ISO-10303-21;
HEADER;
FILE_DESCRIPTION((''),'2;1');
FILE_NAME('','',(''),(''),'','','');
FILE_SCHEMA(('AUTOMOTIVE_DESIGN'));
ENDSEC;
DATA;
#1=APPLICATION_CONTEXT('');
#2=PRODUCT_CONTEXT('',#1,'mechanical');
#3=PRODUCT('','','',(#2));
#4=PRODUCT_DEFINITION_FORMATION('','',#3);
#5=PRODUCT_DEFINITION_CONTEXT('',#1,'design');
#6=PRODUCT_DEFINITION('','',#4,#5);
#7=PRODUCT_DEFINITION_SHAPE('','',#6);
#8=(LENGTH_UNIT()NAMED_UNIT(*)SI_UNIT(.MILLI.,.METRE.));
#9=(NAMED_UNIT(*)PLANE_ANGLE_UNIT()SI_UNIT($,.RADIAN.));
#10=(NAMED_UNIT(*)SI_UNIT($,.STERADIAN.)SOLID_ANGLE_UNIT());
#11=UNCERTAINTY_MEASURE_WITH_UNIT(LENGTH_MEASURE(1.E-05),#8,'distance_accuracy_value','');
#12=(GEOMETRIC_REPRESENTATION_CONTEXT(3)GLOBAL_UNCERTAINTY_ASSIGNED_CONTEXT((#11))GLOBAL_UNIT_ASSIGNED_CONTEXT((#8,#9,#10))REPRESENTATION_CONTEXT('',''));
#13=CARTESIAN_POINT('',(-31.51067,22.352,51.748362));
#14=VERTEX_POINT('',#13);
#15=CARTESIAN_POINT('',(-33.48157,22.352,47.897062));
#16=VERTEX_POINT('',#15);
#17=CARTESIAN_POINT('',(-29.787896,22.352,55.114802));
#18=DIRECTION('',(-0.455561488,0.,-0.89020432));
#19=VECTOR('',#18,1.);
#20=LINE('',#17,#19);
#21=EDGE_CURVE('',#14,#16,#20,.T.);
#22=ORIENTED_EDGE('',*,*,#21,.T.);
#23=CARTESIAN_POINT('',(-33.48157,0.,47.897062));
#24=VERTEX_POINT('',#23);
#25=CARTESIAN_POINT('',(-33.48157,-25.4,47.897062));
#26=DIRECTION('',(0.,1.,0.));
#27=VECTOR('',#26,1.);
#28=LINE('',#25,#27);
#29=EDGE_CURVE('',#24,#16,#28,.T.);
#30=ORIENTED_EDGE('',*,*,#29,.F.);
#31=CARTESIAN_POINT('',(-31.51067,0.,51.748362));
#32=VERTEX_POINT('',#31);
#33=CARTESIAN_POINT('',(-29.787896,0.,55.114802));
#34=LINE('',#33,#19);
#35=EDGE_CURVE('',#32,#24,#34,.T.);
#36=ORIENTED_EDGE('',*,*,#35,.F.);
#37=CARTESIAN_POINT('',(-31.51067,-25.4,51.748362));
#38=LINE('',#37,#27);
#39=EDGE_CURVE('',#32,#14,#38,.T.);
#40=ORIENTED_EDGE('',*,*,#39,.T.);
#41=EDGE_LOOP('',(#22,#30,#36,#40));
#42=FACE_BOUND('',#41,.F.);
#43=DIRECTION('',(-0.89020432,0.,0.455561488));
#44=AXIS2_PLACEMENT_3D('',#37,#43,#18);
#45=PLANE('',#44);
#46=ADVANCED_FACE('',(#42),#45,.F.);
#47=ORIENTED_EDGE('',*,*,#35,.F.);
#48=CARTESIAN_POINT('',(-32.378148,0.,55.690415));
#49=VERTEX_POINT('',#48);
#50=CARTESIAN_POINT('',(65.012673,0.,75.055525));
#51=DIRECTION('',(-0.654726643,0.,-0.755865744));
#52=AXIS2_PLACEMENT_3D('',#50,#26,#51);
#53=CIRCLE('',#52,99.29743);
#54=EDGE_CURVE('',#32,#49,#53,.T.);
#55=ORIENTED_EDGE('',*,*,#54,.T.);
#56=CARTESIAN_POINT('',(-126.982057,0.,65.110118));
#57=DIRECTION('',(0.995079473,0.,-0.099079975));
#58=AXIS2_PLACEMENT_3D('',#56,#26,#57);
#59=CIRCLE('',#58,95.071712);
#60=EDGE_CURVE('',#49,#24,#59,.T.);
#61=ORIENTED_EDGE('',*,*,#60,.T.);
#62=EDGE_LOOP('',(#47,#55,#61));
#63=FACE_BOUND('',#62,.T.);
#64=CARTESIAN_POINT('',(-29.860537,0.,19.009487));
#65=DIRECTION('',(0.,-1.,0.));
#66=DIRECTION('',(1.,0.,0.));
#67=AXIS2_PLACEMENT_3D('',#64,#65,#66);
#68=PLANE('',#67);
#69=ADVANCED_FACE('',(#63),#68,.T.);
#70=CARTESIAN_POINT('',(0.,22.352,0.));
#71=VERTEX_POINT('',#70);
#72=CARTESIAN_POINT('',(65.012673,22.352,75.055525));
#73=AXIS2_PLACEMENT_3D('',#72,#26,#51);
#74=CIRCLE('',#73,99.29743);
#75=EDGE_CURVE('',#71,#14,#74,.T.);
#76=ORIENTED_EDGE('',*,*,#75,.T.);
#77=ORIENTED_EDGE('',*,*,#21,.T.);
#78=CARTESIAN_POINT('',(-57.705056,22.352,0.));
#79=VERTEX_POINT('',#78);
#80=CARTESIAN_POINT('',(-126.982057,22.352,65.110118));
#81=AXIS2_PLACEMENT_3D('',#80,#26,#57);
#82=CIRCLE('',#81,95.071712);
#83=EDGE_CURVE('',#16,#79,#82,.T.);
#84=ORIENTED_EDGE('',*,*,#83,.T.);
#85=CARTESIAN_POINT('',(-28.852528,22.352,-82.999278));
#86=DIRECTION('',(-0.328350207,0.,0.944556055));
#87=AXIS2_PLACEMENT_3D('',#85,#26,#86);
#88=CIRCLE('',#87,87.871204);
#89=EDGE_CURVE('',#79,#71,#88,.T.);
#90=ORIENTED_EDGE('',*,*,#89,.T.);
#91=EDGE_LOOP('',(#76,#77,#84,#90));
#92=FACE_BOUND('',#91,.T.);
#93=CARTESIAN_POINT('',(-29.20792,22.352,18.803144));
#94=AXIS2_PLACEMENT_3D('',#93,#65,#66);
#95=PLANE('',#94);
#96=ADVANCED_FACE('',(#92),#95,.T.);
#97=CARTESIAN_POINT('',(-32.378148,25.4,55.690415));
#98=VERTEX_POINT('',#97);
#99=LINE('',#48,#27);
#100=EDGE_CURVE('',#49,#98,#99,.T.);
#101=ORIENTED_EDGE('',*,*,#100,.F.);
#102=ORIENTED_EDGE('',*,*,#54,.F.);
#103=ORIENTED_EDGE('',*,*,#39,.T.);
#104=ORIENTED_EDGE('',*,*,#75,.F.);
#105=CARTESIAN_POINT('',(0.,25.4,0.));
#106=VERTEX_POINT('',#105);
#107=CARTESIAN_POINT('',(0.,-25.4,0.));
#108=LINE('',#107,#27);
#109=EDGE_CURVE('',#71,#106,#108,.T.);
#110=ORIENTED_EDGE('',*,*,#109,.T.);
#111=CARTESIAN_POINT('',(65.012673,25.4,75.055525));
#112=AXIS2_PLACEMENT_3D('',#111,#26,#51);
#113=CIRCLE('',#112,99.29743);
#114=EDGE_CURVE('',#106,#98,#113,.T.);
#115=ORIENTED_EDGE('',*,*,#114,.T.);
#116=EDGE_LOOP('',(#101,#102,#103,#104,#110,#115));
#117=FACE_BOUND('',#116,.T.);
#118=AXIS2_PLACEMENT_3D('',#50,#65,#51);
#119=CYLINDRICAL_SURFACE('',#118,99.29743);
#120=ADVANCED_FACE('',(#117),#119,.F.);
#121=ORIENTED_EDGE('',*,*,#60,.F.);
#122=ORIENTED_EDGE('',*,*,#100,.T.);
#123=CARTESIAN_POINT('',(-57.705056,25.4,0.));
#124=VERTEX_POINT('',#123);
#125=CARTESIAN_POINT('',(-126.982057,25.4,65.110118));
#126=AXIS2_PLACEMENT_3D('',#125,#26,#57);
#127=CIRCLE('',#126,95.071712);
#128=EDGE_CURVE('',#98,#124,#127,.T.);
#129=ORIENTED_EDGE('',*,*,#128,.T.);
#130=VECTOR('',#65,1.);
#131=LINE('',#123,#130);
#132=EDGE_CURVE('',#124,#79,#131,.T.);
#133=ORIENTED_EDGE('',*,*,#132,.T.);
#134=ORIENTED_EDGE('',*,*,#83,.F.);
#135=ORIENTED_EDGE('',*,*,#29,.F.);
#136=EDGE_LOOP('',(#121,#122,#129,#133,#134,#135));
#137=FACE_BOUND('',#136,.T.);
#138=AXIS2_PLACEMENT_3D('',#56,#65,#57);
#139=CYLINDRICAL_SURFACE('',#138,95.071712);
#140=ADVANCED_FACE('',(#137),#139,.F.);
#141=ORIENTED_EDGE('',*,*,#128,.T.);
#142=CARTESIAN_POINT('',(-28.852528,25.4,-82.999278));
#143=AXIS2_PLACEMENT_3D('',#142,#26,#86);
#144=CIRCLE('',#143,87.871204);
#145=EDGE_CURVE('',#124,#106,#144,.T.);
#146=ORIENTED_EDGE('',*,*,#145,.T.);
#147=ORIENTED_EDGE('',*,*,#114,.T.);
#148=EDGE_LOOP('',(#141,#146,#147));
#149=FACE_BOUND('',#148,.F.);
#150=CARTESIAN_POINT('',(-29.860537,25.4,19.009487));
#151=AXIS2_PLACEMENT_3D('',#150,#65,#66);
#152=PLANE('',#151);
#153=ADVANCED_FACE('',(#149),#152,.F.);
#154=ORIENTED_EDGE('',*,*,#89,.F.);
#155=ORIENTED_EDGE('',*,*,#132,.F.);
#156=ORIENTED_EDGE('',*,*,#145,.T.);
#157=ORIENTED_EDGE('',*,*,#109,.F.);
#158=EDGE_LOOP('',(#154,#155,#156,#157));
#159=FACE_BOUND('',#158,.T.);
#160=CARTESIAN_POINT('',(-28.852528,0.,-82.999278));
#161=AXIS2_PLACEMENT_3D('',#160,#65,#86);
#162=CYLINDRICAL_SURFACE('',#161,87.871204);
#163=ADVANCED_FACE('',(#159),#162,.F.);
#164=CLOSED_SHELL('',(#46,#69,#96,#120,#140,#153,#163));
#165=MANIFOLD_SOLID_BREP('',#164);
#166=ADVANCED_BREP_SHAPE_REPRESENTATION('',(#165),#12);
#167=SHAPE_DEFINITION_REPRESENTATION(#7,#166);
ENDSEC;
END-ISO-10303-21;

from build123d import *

# Parameters (mm, degrees)
F1_DEPTH = 25.4
F3_DEPTH = 25.4
F4_DEPTH = 25.4
F5_DEPTH = 47.752


with BuildPart() as f1:
    # F0 (on Front) → F1 (new body)
    with BuildSketch(Plane.XZ):
        Polygon((-57.9928606749, 0), (0, 0), (-29.787896201, 55.1148019731), align=None)
    extrude(amount=F1_DEPTH)

    # F2 (on face) → F3 (join)
    with BuildSketch(Plane.XZ):
        with BuildLine():
            ThreePointArc((-32.3781482875, 55.6904152036), (-40.4396180835, 25.7523156056), (-57.7050559223, 0))
            ThreePointArc((-57.7050559223, 0), (-28.8525279611, 4.8719261638), (0, 0))
            ThreePointArc((0, 0), (-20.8306687823, 25.146606075), (-32.3781482875, 55.6904152036))
        make_face()
    extrude(amount=-F3_DEPTH)

    # F4 (cut): faces of the model
    f4_faces = [f1.faces().sort_by_distance(p)[0] for p in [
        (-44.4714868788, 0, 22.9050360722),
        (-28.8525279611, 0, 1.9534765457),
        (-18.405809999, 0, 28.5034341287),
        (-44.4714868788, 0, 22.9050360722),
        (-28.8525279611, 0, 1.9534765457),
        (-18.405809999, 0, 28.5034341287),
        (-28.8525279611, 0, 1.9534765457),
    ]]
    extrude(f4_faces, amount=-F4_DEPTH, mode=Mode.SUBTRACT)

    # F5 (cut): a face of the model
    f5_faces = [f1.faces().sort_by_distance(p)[0] for p in [
        (-30.2908637414, -25.4, 17.8560870297),
    ]]
    extrude(f5_faces, amount=-F5_DEPTH, mode=Mode.SUBTRACT)


solid = f1.part
